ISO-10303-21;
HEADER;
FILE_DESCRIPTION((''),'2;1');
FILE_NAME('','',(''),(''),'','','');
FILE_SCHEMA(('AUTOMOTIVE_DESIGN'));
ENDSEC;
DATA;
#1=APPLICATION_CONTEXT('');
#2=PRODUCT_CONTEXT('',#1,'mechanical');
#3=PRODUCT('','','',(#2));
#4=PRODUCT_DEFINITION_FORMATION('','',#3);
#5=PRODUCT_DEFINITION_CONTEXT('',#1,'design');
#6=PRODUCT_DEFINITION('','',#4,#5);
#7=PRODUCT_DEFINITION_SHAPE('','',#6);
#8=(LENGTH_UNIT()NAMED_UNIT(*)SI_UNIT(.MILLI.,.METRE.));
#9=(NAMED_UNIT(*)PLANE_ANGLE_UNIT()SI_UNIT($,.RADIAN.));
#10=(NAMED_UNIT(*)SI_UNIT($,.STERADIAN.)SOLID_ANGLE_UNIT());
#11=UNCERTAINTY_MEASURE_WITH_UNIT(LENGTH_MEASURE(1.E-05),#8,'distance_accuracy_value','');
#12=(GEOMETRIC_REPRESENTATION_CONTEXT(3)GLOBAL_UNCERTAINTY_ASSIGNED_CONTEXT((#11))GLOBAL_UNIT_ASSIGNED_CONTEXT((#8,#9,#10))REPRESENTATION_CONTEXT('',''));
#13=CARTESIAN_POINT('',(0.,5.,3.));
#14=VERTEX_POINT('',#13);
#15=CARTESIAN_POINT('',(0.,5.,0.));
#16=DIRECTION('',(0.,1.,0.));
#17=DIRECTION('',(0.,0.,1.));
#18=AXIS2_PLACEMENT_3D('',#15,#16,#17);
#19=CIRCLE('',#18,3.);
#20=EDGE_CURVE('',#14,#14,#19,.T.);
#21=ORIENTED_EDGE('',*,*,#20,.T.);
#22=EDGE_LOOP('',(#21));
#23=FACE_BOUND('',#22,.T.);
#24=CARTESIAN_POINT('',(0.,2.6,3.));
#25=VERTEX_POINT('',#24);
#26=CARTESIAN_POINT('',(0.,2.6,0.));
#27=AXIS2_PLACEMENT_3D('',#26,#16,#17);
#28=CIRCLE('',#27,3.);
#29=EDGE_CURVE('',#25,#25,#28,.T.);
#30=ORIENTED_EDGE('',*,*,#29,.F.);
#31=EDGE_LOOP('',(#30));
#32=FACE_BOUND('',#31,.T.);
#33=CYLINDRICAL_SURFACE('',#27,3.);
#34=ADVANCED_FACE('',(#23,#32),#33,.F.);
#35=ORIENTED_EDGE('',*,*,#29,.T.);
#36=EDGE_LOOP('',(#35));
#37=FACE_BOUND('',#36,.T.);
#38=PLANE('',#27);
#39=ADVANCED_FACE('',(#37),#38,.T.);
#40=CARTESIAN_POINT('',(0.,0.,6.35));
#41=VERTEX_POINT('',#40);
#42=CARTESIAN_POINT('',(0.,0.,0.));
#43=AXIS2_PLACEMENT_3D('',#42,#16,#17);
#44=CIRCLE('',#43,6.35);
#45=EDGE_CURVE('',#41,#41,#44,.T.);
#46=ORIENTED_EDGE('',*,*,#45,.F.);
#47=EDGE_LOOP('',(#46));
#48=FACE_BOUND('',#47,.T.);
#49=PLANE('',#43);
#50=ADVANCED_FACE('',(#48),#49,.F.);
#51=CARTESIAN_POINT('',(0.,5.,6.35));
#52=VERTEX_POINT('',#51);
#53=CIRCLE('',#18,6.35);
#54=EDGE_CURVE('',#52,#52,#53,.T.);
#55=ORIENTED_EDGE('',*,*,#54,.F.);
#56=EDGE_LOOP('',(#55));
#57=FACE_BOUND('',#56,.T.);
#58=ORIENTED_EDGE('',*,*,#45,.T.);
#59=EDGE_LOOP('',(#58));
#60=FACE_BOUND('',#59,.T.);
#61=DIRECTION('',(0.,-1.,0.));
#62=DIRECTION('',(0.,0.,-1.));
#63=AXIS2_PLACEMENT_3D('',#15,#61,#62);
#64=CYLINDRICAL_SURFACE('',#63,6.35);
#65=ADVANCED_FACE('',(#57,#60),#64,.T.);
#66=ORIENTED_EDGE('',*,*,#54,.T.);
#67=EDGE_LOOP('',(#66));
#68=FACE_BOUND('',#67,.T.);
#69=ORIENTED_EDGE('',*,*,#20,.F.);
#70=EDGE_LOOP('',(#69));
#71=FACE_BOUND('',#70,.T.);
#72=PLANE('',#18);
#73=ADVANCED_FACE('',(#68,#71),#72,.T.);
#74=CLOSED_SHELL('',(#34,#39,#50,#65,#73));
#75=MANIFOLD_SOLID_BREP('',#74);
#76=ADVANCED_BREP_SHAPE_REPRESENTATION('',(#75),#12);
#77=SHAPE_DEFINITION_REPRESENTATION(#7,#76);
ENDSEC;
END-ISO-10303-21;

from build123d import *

# Parameters (mm, degrees)
SKETCH1_R           = 6.35
BOSS_EXTRUDE1_DEPTH = 5
SKETCH2_R           = 3
CUT_EXTRUDE1_DEPTH  = 2.4


with BuildPart() as part:
    # Sketch1 → Boss-Extrude1 (new body)
    with BuildSketch(Plane(origin=(0, 0, 0), x_dir=(1, 0, 0), z_dir=(0, 1, 0))):
        Circle(SKETCH1_R)
    extrude(amount=BOSS_EXTRUDE1_DEPTH)

    # Sketch2 → Cut-Extrude1 (cut)
    with BuildSketch(Plane(origin=(0, 5, 0), x_dir=(1, 0, 0), z_dir=(0, 1, 0))):
        Circle(SKETCH2_R)
    extrude(amount=-CUT_EXTRUDE1_DEPTH, mode=Mode.SUBTRACT)


solid = part.part
